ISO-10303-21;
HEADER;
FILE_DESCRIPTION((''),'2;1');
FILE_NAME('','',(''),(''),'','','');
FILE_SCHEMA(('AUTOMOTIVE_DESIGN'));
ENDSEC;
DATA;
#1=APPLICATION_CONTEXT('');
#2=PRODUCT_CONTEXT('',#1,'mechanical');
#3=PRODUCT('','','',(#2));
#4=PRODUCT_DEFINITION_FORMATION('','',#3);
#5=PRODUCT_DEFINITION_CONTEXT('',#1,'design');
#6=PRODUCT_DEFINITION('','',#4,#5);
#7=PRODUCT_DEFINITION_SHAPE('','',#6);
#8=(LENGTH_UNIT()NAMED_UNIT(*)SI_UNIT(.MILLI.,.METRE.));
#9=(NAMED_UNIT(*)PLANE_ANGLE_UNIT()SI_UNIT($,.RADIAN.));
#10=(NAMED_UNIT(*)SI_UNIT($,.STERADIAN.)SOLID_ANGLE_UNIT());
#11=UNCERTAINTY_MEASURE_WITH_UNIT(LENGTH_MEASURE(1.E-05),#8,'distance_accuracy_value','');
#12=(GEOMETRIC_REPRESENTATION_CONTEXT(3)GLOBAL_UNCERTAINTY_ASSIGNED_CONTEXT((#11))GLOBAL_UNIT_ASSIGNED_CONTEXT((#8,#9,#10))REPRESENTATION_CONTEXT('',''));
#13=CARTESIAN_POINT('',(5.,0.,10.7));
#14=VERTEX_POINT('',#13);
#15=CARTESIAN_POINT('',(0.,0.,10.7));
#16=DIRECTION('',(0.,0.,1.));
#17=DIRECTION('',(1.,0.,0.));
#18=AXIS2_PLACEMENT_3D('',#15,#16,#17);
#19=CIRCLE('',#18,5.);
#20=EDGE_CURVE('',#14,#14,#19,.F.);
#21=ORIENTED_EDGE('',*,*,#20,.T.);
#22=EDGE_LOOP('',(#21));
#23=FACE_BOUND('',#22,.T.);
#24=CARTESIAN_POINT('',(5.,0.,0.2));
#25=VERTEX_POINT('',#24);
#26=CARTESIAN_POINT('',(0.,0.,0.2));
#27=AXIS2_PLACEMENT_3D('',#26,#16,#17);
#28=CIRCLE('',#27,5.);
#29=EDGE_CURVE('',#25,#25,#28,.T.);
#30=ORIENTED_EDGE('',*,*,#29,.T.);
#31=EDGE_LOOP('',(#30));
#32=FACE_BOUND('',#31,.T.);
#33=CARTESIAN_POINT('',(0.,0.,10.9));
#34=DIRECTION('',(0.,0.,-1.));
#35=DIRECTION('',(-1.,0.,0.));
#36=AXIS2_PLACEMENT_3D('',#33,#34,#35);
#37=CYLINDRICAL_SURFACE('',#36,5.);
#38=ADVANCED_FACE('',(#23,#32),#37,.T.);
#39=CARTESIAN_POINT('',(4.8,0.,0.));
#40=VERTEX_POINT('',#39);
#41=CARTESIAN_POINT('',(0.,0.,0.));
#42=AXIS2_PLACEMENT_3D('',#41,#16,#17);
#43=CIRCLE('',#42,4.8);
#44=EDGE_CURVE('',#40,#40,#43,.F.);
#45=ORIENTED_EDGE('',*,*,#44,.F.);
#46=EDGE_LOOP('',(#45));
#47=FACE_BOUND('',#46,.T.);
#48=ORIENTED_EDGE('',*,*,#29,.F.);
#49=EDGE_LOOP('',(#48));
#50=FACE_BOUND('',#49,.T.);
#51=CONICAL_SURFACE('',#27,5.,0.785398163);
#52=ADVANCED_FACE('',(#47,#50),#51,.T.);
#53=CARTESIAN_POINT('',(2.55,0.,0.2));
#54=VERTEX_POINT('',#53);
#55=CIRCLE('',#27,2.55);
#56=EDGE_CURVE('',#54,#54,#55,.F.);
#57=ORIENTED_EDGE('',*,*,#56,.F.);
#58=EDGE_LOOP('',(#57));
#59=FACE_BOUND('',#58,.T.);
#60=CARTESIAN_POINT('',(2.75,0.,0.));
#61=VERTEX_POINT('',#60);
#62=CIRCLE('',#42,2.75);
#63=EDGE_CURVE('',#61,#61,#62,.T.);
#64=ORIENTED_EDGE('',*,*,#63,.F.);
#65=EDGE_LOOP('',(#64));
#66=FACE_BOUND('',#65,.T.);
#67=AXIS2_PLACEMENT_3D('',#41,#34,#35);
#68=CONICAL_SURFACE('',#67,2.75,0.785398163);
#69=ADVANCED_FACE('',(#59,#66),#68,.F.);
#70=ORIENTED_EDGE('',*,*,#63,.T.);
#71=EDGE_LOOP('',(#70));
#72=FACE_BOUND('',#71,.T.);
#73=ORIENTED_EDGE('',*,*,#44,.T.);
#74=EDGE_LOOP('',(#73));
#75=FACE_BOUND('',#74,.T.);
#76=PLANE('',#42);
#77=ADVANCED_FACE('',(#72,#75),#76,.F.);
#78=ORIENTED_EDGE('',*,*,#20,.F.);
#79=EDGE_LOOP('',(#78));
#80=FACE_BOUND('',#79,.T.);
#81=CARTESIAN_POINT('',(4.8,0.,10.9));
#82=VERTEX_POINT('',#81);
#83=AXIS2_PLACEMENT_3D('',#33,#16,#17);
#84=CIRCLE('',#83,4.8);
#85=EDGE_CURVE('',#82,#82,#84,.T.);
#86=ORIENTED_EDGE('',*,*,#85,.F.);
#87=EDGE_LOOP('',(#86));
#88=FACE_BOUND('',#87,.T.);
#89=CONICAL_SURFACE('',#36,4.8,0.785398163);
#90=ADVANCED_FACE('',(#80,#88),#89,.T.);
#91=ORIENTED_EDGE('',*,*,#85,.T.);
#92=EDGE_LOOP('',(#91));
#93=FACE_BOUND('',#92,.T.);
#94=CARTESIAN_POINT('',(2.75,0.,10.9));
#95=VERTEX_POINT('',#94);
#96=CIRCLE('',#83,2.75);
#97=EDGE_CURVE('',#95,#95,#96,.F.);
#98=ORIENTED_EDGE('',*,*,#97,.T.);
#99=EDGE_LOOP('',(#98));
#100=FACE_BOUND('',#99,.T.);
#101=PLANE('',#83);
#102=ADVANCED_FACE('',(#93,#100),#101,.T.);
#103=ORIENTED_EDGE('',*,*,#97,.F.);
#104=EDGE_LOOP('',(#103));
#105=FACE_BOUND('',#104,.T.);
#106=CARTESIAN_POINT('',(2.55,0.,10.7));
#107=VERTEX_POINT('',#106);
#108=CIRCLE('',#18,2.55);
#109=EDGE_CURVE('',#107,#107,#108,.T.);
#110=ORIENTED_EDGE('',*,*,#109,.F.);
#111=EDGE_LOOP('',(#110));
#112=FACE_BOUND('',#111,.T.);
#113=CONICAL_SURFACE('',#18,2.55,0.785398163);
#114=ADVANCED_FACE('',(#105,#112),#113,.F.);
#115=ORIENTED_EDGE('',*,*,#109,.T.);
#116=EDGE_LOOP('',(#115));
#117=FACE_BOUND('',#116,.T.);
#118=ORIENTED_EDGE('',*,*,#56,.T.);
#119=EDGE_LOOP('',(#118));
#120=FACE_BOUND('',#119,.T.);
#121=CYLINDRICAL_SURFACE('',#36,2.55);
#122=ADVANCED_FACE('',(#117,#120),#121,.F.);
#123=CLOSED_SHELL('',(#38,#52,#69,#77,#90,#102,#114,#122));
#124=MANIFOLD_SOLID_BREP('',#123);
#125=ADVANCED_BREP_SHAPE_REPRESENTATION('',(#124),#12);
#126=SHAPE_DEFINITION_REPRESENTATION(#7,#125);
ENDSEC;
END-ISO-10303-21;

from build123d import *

# Parameters (mm, degrees)
SKETCH1_R           = 5
SKETCH1_R_2         = 2.55
BOSS_EXTRUDE1_DEPTH = 10.9
CHAMFER1_SIZE       = 0.2


with BuildPart() as part:
    # Sketch1 → Boss-Extrude1 (new body)
    with BuildSketch(Plane.XY):
        Circle(SKETCH1_R)
        Circle(SKETCH1_R_2, mode=Mode.SUBTRACT)
    extrude(amount=BOSS_EXTRUDE1_DEPTH)

    # Chamfer1
    chamfer1_edges = [part.edges().sort_by_distance(p)[0] for p in [
        (-5, 0, 0),
        (-5, 0, 10.9),
        (-2.55, 0, 0),
        (-2.55, 0, 10.9),
    ]]
    chamfer(chamfer1_edges, length=CHAMFER1_SIZE)


solid = part.part
